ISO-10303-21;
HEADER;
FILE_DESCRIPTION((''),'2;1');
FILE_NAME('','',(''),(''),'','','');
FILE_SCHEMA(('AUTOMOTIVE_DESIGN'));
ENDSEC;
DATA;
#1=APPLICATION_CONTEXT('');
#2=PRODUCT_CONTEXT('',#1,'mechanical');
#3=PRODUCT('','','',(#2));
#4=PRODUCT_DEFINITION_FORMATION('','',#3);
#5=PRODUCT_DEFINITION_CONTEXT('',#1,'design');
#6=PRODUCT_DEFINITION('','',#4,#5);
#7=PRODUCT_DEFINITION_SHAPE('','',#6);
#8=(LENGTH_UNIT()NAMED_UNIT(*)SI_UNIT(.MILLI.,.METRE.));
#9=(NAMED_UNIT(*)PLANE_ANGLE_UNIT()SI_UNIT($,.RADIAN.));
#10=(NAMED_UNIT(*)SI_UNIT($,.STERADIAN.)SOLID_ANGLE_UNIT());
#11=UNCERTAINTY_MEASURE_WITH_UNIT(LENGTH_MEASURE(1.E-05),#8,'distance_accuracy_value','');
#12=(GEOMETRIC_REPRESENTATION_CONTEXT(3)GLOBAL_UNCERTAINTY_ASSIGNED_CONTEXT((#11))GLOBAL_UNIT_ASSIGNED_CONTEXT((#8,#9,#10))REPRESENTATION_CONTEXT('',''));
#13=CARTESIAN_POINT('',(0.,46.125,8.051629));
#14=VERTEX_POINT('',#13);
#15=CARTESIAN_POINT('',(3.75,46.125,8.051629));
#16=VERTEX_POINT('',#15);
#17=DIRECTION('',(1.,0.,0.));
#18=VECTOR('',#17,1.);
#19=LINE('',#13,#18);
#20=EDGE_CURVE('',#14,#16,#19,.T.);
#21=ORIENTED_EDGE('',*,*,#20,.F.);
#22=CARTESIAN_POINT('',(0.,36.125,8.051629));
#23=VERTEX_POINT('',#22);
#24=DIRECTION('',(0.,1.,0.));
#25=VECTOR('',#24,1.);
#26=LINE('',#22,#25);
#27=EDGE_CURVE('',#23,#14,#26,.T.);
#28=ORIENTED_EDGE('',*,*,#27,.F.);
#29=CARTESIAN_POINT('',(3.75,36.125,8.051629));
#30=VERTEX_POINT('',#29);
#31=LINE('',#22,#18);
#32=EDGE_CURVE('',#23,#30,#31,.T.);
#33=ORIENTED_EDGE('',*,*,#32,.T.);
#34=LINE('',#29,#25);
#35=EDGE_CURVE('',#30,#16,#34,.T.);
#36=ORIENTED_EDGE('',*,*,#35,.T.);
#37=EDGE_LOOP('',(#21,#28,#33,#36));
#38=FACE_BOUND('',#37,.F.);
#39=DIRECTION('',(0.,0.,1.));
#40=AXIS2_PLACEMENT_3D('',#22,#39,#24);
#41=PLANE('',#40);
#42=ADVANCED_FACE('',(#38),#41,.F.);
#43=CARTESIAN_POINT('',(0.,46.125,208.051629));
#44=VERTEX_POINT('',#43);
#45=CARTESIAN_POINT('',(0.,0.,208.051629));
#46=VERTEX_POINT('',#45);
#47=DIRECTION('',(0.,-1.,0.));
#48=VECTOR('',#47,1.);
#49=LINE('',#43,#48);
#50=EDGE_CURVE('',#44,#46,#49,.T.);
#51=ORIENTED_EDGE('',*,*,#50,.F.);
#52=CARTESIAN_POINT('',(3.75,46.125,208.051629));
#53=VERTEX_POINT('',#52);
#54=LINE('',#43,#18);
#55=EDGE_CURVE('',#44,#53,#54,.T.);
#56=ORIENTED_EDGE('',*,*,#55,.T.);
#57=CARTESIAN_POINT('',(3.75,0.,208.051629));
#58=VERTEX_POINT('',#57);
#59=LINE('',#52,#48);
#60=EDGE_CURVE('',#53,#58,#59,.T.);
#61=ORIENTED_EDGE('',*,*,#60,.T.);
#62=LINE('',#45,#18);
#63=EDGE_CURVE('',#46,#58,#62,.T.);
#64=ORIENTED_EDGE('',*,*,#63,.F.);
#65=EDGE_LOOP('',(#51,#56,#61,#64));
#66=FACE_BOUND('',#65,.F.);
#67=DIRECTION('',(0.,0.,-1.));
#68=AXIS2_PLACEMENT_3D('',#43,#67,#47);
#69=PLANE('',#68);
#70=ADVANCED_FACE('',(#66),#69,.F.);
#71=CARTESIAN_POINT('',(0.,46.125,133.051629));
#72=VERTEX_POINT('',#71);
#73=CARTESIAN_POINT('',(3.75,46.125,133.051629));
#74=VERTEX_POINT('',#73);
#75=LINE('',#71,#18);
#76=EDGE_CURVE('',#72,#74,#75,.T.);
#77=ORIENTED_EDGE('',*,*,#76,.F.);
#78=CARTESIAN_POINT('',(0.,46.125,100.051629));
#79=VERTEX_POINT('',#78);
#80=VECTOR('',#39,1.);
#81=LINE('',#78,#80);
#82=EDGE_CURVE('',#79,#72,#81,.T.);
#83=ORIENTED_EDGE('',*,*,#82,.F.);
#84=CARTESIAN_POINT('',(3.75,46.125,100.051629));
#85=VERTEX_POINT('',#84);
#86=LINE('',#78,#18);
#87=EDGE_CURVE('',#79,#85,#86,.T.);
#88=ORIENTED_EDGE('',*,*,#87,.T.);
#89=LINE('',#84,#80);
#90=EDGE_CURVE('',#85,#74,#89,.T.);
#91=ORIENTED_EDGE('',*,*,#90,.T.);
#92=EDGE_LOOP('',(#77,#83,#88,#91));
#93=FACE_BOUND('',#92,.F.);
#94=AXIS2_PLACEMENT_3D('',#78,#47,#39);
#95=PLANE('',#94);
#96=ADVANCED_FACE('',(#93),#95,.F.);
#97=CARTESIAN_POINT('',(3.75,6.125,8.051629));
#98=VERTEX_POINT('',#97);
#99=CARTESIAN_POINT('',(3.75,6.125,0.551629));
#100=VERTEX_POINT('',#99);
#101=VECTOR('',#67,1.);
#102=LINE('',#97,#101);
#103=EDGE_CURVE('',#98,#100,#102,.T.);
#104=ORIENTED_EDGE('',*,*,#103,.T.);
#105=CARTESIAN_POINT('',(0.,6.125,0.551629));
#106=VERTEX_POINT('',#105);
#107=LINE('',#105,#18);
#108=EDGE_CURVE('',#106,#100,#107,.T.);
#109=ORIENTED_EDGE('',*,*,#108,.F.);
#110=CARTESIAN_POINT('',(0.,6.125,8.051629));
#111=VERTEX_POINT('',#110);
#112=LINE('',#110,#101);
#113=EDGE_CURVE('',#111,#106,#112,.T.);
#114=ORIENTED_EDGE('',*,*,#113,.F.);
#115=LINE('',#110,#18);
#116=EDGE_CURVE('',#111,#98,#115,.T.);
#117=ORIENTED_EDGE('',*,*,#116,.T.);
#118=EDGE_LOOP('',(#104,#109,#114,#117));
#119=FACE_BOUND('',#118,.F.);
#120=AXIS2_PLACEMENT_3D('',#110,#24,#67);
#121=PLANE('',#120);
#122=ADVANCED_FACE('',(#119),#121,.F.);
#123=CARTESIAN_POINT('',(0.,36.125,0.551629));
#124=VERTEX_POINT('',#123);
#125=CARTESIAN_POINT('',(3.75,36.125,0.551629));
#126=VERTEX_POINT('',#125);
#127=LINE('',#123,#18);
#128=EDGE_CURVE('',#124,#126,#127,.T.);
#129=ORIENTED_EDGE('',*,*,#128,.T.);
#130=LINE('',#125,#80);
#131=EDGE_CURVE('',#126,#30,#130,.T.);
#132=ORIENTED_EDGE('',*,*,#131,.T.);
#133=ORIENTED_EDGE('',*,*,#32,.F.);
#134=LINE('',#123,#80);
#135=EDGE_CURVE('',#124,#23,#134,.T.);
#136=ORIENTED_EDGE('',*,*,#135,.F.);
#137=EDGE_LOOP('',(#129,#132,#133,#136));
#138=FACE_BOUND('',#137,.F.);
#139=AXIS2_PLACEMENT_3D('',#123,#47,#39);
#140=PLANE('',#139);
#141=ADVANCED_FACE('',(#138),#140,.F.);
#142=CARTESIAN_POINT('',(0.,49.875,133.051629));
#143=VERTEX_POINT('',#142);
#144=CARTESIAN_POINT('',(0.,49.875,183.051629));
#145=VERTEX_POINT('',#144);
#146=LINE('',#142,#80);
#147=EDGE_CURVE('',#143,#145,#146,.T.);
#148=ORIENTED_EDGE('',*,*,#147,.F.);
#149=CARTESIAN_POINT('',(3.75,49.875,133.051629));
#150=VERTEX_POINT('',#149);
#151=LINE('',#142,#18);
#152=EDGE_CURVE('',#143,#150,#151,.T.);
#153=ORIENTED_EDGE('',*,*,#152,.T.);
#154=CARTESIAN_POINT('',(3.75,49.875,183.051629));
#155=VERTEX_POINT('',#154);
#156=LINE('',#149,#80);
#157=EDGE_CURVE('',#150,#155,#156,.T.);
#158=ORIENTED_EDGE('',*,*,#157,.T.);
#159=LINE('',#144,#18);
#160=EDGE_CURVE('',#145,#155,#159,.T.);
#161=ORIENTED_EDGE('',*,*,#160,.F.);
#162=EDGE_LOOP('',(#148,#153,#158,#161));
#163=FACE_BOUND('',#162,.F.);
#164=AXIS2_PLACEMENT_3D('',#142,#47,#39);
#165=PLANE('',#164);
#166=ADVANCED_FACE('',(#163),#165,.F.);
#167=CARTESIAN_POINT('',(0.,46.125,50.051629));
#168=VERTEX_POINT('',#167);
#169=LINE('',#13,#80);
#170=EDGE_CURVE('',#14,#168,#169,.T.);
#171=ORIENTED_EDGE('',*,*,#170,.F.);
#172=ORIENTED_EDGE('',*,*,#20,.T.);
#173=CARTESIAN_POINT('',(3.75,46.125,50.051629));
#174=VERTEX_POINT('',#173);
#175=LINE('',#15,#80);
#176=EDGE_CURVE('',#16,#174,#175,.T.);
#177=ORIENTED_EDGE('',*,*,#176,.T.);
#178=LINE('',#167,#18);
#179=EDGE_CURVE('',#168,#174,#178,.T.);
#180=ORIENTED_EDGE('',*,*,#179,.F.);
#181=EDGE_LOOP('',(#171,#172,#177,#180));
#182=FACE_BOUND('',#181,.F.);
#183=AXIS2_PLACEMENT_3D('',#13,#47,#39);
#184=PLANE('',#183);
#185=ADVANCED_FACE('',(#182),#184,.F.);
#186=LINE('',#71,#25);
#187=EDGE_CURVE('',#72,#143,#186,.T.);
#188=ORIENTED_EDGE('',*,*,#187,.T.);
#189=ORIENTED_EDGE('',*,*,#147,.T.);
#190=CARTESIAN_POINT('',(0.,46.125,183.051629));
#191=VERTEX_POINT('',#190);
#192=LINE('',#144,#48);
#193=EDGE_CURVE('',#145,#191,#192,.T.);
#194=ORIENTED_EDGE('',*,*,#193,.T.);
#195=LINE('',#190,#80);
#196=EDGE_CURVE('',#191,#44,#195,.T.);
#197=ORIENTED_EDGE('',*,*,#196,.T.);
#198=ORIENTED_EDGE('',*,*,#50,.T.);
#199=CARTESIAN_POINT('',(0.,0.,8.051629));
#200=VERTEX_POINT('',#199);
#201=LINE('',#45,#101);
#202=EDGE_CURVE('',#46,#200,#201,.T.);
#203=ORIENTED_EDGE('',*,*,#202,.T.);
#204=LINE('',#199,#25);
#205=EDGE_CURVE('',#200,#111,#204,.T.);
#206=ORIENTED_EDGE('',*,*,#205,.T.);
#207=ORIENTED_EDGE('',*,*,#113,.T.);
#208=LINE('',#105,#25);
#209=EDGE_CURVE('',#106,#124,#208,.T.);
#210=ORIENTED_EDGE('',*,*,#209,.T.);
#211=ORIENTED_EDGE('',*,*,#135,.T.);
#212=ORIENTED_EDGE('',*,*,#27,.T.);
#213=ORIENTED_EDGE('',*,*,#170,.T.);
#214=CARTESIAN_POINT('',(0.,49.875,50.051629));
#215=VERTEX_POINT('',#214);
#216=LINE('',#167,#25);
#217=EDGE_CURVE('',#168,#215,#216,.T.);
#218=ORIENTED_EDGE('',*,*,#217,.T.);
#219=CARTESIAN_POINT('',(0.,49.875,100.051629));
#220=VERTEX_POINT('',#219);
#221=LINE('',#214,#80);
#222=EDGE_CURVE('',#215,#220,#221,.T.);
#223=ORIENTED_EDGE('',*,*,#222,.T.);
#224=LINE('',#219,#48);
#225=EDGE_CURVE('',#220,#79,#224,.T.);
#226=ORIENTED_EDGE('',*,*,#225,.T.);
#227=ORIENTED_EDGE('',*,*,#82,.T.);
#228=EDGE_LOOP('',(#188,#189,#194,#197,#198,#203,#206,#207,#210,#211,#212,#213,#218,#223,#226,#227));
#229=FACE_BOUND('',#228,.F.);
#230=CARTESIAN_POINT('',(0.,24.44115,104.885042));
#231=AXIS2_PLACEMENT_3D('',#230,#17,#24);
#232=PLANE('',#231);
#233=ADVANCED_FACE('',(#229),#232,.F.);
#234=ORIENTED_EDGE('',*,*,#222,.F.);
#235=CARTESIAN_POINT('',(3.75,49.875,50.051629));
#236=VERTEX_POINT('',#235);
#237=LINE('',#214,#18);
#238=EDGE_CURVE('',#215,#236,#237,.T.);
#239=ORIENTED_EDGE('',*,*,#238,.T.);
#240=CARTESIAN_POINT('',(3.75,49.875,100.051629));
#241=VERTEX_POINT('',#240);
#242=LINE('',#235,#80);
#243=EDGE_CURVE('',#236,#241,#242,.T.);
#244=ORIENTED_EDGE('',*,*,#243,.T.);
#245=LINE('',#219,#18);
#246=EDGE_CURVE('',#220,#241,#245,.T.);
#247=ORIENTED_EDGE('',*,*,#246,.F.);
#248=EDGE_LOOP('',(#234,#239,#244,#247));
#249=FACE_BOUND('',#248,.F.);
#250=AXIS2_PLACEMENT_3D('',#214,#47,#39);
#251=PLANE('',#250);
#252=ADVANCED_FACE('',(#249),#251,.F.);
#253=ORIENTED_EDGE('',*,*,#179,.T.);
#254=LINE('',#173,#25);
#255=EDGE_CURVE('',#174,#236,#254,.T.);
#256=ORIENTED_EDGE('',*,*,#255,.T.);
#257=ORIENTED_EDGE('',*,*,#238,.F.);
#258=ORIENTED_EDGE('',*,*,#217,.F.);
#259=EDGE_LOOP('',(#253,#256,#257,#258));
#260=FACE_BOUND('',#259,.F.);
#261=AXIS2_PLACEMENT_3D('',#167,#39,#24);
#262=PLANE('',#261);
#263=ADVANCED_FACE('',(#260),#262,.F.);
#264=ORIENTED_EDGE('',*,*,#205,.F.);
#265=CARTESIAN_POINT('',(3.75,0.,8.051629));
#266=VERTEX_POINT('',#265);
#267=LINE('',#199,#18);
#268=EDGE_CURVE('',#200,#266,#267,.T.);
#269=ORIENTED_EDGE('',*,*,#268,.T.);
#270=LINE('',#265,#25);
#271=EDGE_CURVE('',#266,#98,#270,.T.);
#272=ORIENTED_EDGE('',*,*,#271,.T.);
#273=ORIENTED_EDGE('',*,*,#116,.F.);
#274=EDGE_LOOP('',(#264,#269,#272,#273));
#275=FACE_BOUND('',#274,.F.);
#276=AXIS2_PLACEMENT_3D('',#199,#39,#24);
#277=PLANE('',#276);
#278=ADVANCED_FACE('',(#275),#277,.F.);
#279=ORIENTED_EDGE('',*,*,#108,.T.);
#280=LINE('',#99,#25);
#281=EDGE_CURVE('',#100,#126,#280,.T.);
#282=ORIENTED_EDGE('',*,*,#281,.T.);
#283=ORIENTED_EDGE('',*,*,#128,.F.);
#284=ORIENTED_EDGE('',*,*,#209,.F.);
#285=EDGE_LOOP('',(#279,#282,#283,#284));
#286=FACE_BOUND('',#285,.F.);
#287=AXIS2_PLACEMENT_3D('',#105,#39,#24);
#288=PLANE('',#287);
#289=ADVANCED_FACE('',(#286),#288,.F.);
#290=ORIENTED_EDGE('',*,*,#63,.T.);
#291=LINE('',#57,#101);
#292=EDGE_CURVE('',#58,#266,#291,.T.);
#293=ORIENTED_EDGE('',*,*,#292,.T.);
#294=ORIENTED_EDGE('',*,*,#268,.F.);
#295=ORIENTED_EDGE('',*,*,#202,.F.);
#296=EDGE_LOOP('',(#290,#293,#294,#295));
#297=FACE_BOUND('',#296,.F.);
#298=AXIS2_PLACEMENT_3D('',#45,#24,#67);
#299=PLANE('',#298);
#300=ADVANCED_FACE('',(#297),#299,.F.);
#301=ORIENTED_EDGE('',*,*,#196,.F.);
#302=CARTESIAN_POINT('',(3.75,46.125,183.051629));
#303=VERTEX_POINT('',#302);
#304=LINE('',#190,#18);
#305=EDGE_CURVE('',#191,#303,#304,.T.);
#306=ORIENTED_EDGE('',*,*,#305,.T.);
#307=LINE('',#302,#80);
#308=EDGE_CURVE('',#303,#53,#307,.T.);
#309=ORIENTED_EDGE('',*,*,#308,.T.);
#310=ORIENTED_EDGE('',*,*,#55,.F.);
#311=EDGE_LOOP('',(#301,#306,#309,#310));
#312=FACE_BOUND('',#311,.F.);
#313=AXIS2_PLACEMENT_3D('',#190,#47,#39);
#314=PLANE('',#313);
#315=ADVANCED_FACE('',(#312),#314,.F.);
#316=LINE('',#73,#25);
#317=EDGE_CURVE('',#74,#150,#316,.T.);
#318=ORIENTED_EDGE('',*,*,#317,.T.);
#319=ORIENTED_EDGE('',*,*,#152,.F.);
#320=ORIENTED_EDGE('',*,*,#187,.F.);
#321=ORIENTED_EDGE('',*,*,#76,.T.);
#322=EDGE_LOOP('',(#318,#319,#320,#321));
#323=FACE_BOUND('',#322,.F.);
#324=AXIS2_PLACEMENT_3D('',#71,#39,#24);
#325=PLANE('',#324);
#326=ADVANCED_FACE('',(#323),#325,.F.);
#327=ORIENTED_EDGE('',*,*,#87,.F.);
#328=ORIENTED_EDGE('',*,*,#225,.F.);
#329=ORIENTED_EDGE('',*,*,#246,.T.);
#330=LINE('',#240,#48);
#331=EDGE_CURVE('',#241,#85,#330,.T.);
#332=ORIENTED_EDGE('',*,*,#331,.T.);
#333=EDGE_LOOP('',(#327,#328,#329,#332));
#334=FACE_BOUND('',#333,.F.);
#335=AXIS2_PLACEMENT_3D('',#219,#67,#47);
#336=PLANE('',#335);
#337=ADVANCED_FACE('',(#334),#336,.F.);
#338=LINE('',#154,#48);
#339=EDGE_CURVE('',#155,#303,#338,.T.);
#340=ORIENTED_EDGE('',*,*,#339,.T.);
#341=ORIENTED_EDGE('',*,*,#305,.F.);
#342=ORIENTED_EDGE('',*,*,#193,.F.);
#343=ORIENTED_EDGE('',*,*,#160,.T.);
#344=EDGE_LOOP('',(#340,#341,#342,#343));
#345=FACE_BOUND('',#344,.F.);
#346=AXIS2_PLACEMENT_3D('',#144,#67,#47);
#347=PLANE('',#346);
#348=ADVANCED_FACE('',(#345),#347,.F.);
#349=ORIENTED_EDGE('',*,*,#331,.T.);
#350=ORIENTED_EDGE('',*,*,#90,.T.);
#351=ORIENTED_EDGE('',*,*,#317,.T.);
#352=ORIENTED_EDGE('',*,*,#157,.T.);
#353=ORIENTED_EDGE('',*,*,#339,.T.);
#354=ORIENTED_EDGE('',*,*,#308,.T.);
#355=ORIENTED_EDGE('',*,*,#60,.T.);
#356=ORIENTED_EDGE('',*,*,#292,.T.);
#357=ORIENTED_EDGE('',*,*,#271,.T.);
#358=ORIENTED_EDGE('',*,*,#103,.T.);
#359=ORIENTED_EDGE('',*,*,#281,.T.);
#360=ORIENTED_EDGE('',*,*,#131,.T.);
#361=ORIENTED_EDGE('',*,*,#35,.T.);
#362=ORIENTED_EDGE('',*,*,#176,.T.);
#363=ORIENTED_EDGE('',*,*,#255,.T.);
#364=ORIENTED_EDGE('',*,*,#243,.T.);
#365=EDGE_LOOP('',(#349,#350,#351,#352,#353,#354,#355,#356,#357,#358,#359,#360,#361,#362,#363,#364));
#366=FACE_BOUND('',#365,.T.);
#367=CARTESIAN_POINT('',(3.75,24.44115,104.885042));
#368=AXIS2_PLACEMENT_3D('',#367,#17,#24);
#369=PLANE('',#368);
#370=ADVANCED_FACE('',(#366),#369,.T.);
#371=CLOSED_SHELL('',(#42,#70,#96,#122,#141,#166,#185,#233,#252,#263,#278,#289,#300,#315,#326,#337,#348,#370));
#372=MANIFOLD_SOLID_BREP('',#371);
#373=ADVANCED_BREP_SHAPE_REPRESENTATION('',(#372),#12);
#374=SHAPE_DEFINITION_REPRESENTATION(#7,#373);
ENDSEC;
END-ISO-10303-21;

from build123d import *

# Parameters (mm, degrees)
F1_DEPTH = 3.75


with BuildPart() as f1:
    # F0 (on Right) → F1 (new body)
    with BuildSketch(Plane.YZ):
        Polygon((0, 208.051629), (0, 8.051629), (6.125, 8.051629), (6.125, 0.551629), (36.125, 0.551629), (36.125, 8.051629), (46.125, 8.051629), (46.125, 50.051629), (49.875, 50.051629), (49.875, 100.051629), (46.125, 100.051629), (46.125, 133.051629), (49.875, 133.051629), (49.875, 183.051629), (46.125, 183.051629), (46.125, 208.051629), align=None)
    extrude(amount=F1_DEPTH)


solid = f1.part
